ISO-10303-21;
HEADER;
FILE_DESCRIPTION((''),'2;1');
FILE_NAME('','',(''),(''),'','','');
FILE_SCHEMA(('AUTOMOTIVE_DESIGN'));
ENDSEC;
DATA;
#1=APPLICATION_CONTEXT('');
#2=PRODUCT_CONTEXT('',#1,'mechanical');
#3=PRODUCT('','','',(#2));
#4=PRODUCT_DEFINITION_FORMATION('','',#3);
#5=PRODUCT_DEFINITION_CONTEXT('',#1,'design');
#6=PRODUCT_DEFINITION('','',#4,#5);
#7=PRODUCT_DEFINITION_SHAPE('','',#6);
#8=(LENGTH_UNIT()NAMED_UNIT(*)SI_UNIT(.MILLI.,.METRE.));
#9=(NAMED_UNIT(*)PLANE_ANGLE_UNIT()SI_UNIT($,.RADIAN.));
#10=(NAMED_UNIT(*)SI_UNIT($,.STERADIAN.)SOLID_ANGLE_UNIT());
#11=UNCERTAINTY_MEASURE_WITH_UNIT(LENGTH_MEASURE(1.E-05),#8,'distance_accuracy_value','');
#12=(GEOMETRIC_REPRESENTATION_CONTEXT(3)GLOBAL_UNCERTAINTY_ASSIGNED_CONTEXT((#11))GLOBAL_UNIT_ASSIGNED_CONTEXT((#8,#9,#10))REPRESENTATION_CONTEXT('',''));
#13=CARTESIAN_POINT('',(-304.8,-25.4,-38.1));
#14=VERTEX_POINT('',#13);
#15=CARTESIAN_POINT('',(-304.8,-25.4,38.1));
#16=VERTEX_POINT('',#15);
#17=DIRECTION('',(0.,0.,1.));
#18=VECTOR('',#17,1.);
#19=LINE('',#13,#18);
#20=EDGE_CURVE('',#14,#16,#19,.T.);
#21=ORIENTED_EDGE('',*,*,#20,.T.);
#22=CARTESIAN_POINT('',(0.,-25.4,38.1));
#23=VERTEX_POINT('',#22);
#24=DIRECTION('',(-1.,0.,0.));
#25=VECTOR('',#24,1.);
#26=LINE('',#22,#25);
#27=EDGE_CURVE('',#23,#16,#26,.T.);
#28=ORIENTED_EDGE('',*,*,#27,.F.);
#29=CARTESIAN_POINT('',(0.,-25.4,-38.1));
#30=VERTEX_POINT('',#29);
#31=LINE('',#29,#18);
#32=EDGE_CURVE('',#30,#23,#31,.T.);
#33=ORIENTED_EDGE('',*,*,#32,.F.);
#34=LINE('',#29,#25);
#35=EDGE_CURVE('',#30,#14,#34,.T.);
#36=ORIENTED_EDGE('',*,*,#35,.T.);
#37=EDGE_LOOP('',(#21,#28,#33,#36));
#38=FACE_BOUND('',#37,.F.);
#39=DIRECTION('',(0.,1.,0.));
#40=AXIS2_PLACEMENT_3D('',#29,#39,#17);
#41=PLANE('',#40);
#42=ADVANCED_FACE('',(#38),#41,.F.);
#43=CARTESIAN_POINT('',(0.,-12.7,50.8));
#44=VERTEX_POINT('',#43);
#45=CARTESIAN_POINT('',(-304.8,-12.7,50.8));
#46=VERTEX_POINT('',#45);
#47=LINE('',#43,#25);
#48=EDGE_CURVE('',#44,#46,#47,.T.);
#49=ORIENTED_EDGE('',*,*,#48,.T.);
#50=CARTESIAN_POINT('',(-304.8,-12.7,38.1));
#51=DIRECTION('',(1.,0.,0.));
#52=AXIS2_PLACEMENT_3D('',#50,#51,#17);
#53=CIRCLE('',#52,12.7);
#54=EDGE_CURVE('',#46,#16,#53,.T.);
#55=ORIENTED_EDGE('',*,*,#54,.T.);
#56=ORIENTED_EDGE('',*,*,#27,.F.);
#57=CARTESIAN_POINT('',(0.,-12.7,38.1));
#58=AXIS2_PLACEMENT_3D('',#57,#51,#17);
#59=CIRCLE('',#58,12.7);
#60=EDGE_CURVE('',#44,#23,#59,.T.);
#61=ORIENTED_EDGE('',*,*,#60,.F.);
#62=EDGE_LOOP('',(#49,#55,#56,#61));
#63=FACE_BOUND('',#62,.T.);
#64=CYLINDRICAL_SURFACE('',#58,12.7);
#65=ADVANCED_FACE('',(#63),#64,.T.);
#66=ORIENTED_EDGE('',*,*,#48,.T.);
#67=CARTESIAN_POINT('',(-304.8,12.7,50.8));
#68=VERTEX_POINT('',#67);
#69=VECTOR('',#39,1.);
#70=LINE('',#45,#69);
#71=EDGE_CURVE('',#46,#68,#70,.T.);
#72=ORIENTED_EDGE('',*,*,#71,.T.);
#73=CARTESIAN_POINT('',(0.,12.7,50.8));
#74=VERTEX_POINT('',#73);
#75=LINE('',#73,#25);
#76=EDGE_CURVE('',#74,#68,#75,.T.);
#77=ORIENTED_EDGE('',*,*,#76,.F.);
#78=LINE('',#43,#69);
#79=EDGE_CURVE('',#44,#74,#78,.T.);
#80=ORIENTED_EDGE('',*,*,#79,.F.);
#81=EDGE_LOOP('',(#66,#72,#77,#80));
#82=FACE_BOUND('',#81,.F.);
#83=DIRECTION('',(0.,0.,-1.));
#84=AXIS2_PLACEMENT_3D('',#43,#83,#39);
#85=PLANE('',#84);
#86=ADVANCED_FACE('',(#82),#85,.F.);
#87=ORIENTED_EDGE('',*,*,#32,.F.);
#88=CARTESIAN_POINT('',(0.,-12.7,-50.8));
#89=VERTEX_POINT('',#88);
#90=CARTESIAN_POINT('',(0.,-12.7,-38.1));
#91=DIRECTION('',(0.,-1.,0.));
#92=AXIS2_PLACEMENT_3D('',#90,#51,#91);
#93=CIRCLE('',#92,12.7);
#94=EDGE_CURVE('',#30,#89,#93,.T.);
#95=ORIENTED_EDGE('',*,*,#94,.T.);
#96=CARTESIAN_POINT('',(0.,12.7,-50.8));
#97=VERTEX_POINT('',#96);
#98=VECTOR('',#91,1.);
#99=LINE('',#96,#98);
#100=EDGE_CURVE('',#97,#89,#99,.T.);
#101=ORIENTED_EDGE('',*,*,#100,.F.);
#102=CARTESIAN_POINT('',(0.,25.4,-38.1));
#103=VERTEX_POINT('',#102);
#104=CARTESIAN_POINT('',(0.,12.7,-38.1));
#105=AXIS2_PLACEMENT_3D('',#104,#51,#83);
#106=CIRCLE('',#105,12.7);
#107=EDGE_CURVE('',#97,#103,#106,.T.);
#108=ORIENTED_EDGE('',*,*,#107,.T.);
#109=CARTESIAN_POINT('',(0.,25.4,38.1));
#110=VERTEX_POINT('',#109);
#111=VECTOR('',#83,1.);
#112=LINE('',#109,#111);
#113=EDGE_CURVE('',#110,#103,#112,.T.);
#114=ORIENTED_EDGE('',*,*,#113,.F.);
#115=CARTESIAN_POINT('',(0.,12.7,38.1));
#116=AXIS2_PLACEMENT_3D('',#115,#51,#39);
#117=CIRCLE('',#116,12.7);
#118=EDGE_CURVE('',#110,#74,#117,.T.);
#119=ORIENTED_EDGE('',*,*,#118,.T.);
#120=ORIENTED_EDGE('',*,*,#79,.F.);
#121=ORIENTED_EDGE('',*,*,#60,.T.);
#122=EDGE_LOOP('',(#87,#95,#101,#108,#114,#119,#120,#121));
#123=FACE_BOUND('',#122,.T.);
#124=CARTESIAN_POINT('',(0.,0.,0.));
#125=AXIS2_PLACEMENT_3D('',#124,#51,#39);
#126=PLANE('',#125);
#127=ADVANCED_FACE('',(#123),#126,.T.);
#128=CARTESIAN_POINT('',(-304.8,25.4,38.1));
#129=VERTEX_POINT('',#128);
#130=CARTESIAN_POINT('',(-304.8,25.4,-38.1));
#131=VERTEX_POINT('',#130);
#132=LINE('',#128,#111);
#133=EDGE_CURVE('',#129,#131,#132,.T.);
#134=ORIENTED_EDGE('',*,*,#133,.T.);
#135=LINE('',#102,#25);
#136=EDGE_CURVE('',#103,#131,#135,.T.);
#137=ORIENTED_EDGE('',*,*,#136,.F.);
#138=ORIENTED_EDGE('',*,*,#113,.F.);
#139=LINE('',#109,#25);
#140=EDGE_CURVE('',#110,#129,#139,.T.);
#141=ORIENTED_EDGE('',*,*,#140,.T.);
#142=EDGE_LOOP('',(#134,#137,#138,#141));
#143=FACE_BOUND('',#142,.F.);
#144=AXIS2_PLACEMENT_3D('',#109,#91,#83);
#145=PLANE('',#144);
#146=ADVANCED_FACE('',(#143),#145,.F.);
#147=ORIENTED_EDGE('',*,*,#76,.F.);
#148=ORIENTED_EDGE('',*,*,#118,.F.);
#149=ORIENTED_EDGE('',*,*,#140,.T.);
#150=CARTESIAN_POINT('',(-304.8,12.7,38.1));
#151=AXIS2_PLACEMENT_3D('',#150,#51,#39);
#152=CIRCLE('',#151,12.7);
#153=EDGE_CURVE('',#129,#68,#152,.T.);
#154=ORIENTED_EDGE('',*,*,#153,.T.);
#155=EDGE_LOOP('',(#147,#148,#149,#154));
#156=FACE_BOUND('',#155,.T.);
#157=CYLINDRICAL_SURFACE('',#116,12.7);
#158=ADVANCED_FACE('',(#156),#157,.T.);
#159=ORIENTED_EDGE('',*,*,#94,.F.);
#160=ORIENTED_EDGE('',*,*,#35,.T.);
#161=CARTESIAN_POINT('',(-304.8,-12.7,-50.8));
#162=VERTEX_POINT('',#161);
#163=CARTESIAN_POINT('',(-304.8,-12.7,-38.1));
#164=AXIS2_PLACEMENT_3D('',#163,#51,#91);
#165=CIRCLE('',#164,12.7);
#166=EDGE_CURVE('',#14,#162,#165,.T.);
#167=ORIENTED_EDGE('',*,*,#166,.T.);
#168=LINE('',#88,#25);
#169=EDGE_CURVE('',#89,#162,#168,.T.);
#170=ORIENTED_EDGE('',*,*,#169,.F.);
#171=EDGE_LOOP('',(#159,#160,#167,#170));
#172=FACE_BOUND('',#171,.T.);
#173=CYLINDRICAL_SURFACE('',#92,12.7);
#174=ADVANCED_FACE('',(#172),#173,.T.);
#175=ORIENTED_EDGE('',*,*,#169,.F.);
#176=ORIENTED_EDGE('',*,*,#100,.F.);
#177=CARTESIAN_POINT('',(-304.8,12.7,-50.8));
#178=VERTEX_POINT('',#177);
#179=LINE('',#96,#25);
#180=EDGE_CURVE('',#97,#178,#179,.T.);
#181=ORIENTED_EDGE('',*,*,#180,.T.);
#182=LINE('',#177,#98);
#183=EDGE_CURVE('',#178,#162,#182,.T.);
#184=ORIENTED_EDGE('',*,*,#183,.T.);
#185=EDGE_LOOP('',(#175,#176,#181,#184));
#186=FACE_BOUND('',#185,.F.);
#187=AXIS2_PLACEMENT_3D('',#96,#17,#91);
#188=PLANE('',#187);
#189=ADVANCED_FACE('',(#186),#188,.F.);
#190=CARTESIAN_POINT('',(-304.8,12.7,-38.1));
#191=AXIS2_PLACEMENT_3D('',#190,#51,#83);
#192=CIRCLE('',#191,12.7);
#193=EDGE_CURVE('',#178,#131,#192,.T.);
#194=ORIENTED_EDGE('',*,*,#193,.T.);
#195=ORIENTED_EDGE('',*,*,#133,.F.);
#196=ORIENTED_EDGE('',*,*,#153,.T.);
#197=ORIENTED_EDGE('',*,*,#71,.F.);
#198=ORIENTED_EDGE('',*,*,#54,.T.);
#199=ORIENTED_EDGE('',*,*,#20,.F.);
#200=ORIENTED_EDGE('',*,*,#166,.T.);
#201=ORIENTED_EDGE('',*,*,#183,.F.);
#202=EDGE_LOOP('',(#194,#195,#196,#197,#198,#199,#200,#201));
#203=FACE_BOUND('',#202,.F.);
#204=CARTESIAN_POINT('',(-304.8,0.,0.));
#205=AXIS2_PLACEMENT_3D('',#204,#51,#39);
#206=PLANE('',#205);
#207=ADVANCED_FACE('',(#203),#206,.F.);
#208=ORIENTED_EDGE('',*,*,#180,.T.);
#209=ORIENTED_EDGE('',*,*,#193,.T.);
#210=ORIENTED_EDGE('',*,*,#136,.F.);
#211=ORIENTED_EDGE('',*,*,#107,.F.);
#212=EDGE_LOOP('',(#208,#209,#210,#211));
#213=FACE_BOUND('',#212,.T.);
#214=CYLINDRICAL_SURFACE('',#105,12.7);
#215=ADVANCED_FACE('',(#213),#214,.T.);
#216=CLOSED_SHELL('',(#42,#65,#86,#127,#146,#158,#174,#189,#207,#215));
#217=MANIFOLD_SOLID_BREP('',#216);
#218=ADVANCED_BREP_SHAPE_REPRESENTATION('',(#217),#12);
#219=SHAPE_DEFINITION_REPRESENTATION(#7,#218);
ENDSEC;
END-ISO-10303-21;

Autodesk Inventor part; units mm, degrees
ref_plane "YZ Plane" through (0, 0, 0) normal (1, 0, 0) x (0, 1, 0)
ref_plane "XZ Plane" through (0, 0, 0) normal (0, 1, 0) x (-1, 0, 0)
ref_plane "XY Plane" through (0, 0, 0) normal (0, 0, 1) x (1, 0, 0)
sketch "Sketch1" plane through (0, 0, 0) normal (1, 0, 0) x (0, 1, 0)
  line L0 (-12.7, 50.8) -> (12.7, 50.8)
  line L1 (25.4, 38.1) -> (25.4, -38.1)
  line L2 (12.7, -50.8) -> (-12.7, -50.8)
  line L3 (-25.4, -38.1) -> (-25.4, 38.1)
  line L4 (-25.4, 50.8) -> (25.4, -50.8) construction
  line L5 (25.4, 50.8) -> (-25.4, -50.8) construction
  arc A0 (25.4, 38.1) -> (12.7, 50.8) centre (12.7, 38.1) ccw
  arc A1 (-12.7, 50.8) -> (-25.4, 38.1) centre (-12.7, 38.1) ccw
  arc A2 (-25.4, -38.1) -> (-12.7, -50.8) centre (-12.7, -38.1) ccw
  arc A3 (12.7, -50.8) -> (25.4, -38.1) centre (12.7, -38.1) ccw
  point P0 (0, 0)
  dimension "d0" = 101.6
  dimension "d1" = 50.8
  dimension "d2" = 12.7
extrude "Extrusion1" add sketch "Sketch1" against normal blind 304.8
properties part number "Wood-3"
